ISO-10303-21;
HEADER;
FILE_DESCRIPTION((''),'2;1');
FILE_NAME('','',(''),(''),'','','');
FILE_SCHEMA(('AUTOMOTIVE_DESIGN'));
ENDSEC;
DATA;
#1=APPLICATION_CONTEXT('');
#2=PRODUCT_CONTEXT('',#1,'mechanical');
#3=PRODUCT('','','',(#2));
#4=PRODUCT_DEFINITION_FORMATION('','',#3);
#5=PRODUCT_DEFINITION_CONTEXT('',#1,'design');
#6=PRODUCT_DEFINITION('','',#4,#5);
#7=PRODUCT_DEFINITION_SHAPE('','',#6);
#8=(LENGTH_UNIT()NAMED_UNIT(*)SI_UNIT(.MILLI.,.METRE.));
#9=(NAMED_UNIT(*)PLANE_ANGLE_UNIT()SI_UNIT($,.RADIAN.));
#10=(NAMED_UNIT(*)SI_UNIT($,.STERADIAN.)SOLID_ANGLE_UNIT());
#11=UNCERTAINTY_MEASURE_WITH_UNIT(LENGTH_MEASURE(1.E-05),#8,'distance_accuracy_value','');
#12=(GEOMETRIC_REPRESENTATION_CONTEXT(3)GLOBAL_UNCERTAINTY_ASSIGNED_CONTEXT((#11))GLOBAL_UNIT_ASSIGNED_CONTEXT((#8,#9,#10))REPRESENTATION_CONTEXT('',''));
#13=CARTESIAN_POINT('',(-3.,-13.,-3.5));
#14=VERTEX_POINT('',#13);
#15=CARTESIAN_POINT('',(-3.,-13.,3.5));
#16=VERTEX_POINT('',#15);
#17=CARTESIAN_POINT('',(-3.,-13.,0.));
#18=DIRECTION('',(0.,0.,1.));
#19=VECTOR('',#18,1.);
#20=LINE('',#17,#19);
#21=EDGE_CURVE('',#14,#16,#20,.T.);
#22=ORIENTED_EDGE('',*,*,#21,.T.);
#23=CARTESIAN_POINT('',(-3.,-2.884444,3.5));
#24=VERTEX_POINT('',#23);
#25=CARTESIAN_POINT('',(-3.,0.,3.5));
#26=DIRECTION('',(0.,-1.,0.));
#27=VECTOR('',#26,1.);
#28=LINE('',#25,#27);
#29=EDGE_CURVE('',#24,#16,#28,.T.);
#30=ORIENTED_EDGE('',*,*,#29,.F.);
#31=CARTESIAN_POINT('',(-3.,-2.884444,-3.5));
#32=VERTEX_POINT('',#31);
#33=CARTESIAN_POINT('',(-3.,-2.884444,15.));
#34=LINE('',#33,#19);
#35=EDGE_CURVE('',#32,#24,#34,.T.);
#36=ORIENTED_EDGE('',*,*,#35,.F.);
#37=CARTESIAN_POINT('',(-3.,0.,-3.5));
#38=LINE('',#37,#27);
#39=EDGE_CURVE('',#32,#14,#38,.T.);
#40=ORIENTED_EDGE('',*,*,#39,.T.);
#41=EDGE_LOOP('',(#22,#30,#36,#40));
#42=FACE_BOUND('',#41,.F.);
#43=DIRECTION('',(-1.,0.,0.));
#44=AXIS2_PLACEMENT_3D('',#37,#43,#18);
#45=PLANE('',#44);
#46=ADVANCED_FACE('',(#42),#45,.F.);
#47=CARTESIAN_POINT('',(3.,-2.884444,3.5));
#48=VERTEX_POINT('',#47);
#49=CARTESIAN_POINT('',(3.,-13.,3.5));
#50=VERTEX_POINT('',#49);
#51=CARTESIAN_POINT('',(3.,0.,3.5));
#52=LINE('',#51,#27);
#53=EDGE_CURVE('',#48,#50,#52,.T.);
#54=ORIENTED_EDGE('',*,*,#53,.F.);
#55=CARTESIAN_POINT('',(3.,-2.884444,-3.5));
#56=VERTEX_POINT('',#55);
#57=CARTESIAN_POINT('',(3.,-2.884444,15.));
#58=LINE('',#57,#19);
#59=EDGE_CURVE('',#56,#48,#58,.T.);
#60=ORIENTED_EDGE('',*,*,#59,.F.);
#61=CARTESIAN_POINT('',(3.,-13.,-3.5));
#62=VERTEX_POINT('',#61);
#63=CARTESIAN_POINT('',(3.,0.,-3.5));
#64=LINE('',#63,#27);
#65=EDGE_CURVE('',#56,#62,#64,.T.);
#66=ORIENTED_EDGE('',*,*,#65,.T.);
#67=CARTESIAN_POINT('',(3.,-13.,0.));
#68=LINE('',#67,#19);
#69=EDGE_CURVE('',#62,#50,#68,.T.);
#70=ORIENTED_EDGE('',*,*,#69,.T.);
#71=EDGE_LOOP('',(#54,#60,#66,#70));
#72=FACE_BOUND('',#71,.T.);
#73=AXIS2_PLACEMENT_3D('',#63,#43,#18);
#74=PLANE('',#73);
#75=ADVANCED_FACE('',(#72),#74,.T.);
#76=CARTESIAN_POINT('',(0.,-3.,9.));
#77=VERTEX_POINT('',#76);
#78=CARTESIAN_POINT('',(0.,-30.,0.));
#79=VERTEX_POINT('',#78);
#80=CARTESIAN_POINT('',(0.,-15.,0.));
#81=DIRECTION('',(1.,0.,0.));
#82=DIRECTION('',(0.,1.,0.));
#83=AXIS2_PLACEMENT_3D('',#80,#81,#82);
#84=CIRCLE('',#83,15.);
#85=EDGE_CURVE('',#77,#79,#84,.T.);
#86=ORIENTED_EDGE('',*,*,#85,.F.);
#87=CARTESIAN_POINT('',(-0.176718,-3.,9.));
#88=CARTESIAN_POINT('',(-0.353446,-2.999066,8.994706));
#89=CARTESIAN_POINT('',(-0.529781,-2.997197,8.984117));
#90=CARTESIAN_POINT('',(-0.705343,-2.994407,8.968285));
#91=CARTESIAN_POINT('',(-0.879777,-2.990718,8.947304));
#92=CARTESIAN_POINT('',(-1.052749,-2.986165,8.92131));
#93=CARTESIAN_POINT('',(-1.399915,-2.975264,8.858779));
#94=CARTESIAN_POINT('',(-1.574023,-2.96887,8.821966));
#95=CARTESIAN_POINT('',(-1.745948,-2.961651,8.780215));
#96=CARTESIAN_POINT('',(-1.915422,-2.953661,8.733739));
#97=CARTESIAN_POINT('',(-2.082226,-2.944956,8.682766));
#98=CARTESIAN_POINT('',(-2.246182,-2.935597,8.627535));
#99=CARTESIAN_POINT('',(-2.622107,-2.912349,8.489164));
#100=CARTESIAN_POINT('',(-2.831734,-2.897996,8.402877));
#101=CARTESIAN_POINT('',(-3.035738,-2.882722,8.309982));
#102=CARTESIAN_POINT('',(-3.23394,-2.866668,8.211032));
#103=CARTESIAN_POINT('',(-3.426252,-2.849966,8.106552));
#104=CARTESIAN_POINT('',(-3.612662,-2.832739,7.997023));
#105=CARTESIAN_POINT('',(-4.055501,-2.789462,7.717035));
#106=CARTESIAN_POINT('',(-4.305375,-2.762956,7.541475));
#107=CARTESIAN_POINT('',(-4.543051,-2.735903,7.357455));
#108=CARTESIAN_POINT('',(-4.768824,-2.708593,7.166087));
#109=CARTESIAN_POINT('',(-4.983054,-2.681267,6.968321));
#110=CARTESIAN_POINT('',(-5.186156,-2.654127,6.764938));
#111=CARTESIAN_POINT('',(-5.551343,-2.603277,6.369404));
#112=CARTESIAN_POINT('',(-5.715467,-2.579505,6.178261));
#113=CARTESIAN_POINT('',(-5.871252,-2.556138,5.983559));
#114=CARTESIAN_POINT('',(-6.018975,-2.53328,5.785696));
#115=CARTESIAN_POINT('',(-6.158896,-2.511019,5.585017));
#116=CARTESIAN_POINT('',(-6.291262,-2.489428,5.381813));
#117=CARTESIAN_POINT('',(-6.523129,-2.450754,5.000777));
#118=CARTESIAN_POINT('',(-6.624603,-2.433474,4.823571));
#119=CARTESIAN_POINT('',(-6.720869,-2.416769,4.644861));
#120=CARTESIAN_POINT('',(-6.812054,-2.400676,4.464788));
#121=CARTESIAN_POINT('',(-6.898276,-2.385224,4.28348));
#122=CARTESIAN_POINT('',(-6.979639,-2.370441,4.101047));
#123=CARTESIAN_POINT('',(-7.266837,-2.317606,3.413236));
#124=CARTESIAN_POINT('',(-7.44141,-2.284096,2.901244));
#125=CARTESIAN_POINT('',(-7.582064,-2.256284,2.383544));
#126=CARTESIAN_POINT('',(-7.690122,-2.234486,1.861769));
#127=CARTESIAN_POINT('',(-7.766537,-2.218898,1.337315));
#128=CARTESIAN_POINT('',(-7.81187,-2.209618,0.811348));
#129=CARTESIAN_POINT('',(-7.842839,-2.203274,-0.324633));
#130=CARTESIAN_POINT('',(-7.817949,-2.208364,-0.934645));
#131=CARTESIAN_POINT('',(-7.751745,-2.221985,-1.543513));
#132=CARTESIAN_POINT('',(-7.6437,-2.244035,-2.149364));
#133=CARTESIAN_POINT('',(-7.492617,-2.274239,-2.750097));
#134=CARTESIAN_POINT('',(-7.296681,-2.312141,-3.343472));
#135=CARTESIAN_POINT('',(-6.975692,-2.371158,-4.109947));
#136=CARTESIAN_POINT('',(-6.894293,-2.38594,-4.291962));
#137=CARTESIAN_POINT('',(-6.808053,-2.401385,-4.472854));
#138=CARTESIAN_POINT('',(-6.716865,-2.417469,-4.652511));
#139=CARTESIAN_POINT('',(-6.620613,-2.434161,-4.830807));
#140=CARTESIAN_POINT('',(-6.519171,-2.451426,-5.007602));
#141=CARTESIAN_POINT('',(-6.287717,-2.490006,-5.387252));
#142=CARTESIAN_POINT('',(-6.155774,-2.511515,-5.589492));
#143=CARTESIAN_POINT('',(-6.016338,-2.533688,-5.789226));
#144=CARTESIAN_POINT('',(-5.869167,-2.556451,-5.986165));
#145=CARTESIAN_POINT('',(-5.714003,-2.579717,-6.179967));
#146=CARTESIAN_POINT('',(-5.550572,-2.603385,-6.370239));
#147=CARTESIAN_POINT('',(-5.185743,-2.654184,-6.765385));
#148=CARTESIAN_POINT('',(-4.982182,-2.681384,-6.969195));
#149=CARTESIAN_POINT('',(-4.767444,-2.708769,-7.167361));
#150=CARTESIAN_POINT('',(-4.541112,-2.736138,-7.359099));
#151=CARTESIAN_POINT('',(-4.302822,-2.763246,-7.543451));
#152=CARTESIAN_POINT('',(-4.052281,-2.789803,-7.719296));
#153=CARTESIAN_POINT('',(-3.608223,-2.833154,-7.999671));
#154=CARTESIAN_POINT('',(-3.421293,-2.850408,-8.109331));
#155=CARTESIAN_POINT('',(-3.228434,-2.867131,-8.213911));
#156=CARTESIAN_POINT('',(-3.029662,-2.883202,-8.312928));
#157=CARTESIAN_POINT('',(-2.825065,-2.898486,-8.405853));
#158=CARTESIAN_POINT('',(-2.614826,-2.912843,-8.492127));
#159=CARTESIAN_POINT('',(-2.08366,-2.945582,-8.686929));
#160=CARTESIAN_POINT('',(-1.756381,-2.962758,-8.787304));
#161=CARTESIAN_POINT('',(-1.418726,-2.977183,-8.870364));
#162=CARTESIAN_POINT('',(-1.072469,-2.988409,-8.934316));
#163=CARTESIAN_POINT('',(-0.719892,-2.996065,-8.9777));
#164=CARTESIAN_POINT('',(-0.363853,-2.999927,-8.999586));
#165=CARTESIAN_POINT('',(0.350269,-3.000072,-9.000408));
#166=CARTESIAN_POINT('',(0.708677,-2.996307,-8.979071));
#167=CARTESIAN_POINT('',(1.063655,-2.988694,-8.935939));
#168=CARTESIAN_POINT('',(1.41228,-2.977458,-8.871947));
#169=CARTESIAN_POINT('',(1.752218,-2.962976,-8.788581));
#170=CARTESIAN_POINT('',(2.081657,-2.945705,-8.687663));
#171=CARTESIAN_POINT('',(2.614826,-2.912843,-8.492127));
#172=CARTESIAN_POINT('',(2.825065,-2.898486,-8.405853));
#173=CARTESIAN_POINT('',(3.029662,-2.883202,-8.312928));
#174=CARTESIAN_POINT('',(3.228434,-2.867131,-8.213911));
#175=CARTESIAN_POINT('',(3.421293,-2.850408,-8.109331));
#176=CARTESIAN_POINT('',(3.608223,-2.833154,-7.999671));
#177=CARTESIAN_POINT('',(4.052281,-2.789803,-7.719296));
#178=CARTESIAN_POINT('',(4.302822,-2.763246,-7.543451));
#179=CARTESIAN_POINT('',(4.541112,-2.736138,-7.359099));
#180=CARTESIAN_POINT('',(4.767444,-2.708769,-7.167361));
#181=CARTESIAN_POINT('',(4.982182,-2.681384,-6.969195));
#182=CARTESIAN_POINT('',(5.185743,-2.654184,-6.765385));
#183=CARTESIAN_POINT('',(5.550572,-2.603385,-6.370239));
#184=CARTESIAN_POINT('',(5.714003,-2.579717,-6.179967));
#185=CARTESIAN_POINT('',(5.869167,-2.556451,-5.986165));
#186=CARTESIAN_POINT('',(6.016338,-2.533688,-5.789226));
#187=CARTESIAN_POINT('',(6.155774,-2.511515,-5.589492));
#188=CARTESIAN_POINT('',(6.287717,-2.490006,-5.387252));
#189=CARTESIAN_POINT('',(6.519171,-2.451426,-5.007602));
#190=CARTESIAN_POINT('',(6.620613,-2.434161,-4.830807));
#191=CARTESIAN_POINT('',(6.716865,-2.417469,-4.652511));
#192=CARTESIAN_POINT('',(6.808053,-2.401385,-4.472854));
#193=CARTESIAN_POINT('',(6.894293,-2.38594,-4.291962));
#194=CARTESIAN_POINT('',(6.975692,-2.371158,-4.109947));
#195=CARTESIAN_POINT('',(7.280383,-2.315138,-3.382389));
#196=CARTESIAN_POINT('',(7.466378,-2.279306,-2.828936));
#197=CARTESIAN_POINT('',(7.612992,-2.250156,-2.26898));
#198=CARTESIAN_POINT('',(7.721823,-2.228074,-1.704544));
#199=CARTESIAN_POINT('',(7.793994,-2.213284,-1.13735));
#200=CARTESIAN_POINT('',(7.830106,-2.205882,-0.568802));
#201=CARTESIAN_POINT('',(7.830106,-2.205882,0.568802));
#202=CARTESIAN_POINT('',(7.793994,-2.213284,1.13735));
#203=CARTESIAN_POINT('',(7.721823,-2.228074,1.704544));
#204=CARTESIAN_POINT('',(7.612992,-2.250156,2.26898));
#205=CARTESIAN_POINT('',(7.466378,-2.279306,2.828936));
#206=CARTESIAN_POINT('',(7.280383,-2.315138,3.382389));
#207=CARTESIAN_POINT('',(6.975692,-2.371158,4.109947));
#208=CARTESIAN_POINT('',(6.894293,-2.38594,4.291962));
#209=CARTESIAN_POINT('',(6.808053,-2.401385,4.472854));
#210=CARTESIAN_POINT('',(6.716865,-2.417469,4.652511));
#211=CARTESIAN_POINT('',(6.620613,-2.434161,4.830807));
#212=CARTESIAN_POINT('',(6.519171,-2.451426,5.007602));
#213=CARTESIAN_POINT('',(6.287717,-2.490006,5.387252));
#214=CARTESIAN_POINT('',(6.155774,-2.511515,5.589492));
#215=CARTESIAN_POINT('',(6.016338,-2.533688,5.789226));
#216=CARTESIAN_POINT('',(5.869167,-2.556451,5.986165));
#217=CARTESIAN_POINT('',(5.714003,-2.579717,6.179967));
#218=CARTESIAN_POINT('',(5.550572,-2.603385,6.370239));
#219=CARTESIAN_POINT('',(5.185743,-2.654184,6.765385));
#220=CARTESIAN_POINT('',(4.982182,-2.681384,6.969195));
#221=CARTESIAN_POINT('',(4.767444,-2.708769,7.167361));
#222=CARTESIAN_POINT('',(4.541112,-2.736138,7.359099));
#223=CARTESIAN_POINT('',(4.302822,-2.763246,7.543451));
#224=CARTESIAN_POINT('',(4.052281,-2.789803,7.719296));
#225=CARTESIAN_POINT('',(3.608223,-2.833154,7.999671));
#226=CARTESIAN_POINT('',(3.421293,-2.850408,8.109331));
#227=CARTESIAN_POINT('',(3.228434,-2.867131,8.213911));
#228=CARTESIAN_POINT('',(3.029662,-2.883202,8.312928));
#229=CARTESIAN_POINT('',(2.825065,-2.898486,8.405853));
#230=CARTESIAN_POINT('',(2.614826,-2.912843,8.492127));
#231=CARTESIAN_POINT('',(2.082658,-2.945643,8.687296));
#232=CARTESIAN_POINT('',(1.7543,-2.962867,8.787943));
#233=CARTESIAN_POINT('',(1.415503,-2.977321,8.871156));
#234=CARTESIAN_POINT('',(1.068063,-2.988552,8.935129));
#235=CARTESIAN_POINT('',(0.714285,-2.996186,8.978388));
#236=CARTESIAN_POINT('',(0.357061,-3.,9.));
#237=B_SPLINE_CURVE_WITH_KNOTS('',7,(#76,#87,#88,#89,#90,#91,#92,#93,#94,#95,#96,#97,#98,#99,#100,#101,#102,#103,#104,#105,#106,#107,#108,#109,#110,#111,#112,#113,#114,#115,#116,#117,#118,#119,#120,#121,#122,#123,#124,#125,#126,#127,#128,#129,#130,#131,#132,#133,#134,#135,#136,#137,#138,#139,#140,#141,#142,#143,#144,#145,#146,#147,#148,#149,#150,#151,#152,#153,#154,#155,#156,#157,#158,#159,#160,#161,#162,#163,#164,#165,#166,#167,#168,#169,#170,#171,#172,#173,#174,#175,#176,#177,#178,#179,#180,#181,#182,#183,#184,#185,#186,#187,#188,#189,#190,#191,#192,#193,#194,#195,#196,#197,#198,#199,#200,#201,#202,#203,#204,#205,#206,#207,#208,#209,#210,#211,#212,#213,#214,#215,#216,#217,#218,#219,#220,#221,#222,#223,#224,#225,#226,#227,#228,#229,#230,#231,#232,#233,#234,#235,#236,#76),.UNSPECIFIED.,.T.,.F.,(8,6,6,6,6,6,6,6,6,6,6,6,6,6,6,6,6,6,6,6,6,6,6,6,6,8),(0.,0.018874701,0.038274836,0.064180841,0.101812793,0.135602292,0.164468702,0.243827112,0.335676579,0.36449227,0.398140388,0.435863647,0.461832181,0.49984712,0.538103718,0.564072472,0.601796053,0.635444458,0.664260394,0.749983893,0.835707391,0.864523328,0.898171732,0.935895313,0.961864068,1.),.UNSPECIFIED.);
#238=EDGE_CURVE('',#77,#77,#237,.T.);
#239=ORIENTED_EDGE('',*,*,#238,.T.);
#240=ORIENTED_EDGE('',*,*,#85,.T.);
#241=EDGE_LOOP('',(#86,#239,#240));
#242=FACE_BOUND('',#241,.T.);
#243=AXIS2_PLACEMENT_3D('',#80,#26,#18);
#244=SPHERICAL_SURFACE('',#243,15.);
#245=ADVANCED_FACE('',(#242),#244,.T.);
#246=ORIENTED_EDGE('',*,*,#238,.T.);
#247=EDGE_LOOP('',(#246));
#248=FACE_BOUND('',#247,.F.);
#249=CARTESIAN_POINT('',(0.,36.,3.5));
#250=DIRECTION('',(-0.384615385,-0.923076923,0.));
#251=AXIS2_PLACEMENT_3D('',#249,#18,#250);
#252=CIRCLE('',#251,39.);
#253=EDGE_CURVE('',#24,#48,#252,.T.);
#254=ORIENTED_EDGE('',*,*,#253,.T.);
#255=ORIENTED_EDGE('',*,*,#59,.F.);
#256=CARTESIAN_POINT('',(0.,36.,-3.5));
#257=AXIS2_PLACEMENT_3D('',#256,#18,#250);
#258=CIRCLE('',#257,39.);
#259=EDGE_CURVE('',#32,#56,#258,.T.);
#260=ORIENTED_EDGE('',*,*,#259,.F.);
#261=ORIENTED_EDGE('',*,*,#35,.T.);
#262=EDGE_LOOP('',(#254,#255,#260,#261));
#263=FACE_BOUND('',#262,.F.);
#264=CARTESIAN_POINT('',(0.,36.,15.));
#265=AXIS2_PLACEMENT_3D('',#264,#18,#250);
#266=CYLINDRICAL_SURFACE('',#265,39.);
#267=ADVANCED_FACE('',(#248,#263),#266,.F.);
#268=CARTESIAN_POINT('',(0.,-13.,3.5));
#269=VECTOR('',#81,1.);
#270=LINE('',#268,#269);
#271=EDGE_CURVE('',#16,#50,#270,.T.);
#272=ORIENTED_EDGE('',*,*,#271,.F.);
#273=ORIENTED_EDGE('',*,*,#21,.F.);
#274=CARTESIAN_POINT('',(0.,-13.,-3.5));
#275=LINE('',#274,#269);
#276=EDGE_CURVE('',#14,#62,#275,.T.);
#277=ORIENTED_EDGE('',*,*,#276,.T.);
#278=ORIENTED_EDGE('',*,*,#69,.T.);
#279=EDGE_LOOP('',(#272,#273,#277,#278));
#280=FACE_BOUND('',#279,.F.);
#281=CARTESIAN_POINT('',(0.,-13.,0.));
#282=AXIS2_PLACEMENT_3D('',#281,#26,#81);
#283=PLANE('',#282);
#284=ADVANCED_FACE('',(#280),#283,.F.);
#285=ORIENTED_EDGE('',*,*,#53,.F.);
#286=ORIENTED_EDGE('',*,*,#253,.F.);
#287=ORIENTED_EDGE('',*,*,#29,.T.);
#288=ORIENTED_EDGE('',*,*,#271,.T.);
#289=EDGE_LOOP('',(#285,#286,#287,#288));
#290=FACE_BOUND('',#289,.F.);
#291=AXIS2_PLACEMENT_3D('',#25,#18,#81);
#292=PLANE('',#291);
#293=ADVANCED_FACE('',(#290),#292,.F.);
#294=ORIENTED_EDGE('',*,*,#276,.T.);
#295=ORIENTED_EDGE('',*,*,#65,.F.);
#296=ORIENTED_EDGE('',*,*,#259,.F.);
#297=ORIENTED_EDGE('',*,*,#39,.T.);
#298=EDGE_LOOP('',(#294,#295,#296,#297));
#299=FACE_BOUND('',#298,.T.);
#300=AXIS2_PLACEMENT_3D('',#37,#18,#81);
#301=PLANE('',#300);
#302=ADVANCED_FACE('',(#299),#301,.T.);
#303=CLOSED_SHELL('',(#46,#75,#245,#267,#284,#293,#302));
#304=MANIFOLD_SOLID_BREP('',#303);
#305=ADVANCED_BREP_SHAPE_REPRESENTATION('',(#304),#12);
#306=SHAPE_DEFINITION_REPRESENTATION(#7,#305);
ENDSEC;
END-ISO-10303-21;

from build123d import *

# Parameters (mm, degrees)
F4_DEPTH = 30.001
F5_W     = 6
F5_H     = 7
F6_DEPTH = 13


with BuildPart() as f1:
    # F0 (on Right) → F1 (revolve)
    with BuildSketch(Plane.YZ):
        with BuildLine():
            Line((-30, 0), (0, 0))
            ThreePointArc((0, 0), (-15, 15), (-30, 0))
        make_face()
    revolve(axis=Axis((0, -15, 0), (0, -1, 0)))

    # F3 (on offset) → F4 (cut, through all)
    with BuildSketch(Plane.XY.offset(15)):
        with BuildLine():
            Line((15, 0), (0, 0))
            Line((0, 0), (-15, 0))
            ThreePointArc((-15, 0), (0, -3), (15, 0))
        make_face()
    extrude(amount=-F4_DEPTH, mode=Mode.SUBTRACT)

    # F5 (on Front) → F6 (cut)
    with BuildSketch(Plane.XZ):
        Rectangle(F5_W, F5_H)
    extrude(amount=F6_DEPTH, mode=Mode.SUBTRACT)


solid = f1.part
